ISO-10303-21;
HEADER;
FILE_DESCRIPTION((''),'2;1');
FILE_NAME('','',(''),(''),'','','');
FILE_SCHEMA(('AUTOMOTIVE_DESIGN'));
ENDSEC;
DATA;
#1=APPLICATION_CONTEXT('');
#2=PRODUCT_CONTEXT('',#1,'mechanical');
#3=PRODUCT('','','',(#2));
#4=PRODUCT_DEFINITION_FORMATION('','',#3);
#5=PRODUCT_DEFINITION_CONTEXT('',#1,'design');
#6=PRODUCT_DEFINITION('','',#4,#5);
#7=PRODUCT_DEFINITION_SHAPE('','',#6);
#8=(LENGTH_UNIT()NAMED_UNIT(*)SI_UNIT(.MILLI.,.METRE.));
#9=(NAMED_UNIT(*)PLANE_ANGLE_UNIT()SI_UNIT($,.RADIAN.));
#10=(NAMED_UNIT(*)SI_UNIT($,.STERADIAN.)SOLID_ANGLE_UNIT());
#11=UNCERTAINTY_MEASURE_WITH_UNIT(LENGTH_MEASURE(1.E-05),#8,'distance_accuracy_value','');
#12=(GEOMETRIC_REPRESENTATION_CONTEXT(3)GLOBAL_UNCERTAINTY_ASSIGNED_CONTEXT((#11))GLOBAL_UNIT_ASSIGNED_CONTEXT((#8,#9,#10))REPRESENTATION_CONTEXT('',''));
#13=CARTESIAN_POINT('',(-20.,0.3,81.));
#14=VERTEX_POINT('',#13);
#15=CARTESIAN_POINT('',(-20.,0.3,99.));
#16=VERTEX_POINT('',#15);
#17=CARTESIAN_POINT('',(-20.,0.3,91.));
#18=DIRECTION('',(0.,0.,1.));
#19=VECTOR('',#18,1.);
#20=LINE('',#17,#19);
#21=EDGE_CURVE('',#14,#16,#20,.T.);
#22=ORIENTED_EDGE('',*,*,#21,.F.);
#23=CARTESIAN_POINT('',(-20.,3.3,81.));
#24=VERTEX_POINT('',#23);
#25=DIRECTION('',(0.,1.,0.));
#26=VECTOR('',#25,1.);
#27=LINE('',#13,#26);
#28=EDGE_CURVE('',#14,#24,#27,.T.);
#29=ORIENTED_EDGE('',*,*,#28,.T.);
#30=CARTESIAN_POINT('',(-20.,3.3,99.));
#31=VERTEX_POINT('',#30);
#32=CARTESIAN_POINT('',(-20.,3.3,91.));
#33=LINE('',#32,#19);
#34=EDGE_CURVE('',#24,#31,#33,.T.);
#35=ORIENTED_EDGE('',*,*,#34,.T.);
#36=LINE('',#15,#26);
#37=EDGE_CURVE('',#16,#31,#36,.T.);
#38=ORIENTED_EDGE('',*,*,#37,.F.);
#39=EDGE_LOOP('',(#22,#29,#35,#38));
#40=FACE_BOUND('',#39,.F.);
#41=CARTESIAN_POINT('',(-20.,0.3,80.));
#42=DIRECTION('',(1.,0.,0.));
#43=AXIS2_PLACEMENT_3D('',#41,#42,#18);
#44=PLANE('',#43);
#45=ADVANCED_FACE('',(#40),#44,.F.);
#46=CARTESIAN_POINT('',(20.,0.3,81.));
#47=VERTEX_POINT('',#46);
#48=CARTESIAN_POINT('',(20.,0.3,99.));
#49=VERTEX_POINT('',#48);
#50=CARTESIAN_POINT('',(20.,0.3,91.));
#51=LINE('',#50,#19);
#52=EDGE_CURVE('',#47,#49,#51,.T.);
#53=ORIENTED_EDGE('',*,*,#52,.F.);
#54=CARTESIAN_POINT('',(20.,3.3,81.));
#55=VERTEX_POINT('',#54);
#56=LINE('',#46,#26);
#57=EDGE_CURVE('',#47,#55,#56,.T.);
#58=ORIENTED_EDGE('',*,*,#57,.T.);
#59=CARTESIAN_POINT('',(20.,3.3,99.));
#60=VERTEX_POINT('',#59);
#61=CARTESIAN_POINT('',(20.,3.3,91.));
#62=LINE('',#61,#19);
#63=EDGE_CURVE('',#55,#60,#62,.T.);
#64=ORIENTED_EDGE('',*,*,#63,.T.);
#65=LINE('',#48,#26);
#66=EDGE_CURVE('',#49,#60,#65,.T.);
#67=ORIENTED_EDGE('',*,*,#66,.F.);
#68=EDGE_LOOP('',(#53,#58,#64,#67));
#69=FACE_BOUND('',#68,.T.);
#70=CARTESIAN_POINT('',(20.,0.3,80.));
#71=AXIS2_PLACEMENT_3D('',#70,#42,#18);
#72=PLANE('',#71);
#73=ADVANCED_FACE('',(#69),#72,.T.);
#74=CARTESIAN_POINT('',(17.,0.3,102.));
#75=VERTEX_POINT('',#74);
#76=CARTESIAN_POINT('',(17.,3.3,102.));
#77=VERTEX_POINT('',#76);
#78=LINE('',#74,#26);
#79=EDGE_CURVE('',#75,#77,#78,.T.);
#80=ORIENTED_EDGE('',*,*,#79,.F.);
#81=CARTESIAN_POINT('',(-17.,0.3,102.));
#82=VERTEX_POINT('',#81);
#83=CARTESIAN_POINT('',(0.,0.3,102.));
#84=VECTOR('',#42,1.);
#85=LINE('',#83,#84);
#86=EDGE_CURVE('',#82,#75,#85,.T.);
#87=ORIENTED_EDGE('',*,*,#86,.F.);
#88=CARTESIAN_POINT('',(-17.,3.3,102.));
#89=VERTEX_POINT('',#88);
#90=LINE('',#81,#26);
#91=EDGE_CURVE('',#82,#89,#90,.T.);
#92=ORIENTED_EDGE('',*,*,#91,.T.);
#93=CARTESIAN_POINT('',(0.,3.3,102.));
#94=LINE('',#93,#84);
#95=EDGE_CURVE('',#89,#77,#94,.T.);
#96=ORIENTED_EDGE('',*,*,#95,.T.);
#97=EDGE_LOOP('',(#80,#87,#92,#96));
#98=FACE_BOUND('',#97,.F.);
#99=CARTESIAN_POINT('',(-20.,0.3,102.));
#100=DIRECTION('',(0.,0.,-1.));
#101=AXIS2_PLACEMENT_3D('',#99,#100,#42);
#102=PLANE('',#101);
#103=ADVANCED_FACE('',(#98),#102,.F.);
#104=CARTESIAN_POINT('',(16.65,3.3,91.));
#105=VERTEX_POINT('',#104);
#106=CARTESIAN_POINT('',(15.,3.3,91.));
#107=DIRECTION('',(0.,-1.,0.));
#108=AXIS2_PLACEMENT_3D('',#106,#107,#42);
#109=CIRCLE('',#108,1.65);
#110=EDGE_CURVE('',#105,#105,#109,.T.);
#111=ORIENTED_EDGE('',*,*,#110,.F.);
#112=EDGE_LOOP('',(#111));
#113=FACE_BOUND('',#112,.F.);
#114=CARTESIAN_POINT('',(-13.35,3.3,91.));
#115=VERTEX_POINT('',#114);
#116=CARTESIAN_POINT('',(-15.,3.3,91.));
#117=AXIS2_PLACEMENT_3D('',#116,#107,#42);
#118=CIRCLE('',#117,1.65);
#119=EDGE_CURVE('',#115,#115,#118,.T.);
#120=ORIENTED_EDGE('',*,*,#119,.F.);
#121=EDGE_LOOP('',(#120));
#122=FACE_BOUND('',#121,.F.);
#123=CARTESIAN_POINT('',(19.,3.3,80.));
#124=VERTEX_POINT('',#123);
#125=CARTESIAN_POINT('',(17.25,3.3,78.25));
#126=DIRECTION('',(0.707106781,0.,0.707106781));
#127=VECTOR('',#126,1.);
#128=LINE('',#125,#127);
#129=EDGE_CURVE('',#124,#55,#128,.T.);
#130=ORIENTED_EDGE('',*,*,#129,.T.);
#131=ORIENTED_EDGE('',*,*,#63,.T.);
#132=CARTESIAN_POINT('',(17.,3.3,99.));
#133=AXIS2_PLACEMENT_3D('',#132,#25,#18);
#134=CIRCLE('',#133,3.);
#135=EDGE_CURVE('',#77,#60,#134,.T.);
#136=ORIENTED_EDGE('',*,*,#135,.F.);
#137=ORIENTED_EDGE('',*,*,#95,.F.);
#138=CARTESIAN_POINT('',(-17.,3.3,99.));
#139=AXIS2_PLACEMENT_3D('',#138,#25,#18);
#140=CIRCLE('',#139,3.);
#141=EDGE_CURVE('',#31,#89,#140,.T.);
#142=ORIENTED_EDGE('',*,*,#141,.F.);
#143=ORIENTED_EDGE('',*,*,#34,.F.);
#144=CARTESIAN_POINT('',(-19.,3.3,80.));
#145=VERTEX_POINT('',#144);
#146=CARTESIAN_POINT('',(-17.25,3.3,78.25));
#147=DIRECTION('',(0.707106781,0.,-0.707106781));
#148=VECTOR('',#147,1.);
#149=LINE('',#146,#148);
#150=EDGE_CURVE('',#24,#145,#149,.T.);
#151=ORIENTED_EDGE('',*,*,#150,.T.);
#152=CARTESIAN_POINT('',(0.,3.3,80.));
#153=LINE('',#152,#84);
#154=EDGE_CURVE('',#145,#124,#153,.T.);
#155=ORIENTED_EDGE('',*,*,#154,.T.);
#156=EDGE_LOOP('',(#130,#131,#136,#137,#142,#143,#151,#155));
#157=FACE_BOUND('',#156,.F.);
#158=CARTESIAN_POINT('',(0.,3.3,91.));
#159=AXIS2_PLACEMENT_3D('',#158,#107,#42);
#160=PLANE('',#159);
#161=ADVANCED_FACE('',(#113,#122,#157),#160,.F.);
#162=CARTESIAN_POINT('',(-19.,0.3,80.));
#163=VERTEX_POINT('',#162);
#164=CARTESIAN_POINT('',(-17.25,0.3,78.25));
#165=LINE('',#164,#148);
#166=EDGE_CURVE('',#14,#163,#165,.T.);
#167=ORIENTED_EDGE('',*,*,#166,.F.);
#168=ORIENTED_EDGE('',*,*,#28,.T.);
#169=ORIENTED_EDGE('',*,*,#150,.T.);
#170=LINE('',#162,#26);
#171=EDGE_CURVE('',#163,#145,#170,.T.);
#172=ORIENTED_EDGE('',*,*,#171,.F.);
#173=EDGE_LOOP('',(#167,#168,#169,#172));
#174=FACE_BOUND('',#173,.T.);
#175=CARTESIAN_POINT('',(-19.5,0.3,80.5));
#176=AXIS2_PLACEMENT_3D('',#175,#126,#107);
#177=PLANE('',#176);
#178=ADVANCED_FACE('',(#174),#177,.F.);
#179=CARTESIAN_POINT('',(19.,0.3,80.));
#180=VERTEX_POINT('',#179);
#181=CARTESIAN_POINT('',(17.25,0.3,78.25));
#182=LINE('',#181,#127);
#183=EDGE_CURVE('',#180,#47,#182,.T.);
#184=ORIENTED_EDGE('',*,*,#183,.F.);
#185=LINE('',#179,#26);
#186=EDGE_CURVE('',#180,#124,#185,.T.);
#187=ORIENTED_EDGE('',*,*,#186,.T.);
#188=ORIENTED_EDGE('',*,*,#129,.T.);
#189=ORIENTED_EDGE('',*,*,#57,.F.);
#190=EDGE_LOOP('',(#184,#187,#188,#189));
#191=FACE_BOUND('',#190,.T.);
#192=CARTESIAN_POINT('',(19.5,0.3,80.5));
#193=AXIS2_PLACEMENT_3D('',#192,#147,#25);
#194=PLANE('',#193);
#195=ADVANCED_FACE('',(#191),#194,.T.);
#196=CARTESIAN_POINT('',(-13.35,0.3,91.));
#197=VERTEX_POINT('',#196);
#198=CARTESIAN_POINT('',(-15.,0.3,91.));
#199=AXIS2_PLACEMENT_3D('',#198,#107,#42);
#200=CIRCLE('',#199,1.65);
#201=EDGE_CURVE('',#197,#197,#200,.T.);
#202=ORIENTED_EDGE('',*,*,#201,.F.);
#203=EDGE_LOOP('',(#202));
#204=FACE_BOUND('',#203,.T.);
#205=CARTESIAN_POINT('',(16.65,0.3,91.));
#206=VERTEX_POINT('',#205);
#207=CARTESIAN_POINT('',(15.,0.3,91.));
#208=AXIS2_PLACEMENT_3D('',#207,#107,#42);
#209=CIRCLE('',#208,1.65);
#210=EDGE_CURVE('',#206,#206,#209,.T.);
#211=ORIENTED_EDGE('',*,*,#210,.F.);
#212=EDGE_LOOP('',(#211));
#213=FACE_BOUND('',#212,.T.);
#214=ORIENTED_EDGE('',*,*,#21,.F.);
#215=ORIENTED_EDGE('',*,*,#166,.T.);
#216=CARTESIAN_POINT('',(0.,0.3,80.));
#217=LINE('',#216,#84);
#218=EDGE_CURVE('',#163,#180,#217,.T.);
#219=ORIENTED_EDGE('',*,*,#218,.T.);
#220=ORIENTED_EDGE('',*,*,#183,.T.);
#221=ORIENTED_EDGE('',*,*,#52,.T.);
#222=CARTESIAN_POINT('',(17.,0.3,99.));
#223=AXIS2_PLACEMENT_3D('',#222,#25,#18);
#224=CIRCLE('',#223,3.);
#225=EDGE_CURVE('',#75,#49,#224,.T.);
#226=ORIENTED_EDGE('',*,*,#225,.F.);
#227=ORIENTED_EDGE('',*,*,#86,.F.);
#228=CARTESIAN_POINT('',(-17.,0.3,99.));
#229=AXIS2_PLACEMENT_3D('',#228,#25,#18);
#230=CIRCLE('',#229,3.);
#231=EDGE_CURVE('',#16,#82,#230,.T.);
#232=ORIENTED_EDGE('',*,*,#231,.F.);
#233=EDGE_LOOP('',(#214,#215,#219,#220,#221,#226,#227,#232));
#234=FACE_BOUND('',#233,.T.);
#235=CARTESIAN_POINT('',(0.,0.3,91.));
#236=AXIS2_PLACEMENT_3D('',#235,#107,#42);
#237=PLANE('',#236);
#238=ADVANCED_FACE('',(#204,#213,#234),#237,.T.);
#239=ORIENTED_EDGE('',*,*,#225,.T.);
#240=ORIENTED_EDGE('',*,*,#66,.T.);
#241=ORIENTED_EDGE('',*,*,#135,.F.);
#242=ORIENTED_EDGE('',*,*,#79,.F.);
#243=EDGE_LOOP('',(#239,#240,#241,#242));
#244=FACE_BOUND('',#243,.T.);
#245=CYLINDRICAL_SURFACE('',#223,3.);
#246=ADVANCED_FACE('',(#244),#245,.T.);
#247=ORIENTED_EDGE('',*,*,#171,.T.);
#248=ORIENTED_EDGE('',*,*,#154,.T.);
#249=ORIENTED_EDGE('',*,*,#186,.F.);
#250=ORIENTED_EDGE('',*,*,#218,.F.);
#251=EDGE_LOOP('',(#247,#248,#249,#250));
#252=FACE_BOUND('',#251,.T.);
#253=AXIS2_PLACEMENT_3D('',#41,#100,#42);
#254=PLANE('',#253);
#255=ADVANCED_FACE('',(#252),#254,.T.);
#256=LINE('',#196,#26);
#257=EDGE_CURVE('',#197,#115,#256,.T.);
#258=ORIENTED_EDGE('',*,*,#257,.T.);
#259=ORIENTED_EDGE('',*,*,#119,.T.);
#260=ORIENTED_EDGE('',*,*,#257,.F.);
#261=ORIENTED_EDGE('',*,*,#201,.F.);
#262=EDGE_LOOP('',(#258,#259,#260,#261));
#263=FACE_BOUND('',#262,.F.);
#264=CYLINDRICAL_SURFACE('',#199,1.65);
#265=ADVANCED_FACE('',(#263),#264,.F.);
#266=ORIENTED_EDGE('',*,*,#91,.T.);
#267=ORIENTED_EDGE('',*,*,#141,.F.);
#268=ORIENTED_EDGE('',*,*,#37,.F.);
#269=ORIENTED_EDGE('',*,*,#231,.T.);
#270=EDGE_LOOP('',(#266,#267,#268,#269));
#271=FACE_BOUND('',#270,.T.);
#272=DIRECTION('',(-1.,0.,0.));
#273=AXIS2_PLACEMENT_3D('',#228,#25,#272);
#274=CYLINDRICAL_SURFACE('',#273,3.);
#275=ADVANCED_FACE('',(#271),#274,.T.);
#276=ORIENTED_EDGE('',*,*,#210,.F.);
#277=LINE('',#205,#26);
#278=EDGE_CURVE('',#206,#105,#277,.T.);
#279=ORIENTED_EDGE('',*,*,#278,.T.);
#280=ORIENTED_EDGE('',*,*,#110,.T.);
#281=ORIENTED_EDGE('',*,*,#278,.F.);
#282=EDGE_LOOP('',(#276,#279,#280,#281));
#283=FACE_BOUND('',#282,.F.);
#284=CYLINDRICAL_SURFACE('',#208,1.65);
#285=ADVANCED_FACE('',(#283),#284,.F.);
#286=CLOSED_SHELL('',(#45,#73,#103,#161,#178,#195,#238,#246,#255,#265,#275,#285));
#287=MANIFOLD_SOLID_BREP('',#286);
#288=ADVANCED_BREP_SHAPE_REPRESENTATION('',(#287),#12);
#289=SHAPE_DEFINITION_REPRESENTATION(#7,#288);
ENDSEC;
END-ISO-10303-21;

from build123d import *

# Parameters (mm, degrees)
SKETCH048_W     = 40
SKETCH048_H     = 22
SKETCH048_R     = 1.65
PAD017_DEPTH    = 3
FILLET018_R     = 3
CHAMFER030_SIZE = 1


with BuildPart() as part:
    # Sketch048 → Pad017 (new body)
    with BuildSketch(Plane.XZ):
        with Locations((0, -11)):
            Rectangle(SKETCH048_W, SKETCH048_H)
        with Locations((15, -11)):
            Circle(SKETCH048_R, mode=Mode.SUBTRACT)
        with Locations((-15, -11)):
            Circle(SKETCH048_R, mode=Mode.SUBTRACT)
    extrude(amount=-PAD017_DEPTH)

    # Fillet018
    fillet018_edges = [part.edges().sort_by_distance(p)[0] for p in [
        (20, 1.5, 0),
        (-20, 1.5, 0),
    ]]
    fillet(fillet018_edges, radius=FILLET018_R)

    # Chamfer030
    chamfer030_edges = [part.edges().sort_by_distance(p)[0] for p in [
        (20, 1.5, -22),
        (-20, 1.5, -22),
    ]]
    chamfer(chamfer030_edges, length=CHAMFER030_SIZE)


with BuildPart() as part_1:
    # Body016 placement: moved
    add(part.part.moved(Location((0, 0.3, 102))))


solid = part_1.part
